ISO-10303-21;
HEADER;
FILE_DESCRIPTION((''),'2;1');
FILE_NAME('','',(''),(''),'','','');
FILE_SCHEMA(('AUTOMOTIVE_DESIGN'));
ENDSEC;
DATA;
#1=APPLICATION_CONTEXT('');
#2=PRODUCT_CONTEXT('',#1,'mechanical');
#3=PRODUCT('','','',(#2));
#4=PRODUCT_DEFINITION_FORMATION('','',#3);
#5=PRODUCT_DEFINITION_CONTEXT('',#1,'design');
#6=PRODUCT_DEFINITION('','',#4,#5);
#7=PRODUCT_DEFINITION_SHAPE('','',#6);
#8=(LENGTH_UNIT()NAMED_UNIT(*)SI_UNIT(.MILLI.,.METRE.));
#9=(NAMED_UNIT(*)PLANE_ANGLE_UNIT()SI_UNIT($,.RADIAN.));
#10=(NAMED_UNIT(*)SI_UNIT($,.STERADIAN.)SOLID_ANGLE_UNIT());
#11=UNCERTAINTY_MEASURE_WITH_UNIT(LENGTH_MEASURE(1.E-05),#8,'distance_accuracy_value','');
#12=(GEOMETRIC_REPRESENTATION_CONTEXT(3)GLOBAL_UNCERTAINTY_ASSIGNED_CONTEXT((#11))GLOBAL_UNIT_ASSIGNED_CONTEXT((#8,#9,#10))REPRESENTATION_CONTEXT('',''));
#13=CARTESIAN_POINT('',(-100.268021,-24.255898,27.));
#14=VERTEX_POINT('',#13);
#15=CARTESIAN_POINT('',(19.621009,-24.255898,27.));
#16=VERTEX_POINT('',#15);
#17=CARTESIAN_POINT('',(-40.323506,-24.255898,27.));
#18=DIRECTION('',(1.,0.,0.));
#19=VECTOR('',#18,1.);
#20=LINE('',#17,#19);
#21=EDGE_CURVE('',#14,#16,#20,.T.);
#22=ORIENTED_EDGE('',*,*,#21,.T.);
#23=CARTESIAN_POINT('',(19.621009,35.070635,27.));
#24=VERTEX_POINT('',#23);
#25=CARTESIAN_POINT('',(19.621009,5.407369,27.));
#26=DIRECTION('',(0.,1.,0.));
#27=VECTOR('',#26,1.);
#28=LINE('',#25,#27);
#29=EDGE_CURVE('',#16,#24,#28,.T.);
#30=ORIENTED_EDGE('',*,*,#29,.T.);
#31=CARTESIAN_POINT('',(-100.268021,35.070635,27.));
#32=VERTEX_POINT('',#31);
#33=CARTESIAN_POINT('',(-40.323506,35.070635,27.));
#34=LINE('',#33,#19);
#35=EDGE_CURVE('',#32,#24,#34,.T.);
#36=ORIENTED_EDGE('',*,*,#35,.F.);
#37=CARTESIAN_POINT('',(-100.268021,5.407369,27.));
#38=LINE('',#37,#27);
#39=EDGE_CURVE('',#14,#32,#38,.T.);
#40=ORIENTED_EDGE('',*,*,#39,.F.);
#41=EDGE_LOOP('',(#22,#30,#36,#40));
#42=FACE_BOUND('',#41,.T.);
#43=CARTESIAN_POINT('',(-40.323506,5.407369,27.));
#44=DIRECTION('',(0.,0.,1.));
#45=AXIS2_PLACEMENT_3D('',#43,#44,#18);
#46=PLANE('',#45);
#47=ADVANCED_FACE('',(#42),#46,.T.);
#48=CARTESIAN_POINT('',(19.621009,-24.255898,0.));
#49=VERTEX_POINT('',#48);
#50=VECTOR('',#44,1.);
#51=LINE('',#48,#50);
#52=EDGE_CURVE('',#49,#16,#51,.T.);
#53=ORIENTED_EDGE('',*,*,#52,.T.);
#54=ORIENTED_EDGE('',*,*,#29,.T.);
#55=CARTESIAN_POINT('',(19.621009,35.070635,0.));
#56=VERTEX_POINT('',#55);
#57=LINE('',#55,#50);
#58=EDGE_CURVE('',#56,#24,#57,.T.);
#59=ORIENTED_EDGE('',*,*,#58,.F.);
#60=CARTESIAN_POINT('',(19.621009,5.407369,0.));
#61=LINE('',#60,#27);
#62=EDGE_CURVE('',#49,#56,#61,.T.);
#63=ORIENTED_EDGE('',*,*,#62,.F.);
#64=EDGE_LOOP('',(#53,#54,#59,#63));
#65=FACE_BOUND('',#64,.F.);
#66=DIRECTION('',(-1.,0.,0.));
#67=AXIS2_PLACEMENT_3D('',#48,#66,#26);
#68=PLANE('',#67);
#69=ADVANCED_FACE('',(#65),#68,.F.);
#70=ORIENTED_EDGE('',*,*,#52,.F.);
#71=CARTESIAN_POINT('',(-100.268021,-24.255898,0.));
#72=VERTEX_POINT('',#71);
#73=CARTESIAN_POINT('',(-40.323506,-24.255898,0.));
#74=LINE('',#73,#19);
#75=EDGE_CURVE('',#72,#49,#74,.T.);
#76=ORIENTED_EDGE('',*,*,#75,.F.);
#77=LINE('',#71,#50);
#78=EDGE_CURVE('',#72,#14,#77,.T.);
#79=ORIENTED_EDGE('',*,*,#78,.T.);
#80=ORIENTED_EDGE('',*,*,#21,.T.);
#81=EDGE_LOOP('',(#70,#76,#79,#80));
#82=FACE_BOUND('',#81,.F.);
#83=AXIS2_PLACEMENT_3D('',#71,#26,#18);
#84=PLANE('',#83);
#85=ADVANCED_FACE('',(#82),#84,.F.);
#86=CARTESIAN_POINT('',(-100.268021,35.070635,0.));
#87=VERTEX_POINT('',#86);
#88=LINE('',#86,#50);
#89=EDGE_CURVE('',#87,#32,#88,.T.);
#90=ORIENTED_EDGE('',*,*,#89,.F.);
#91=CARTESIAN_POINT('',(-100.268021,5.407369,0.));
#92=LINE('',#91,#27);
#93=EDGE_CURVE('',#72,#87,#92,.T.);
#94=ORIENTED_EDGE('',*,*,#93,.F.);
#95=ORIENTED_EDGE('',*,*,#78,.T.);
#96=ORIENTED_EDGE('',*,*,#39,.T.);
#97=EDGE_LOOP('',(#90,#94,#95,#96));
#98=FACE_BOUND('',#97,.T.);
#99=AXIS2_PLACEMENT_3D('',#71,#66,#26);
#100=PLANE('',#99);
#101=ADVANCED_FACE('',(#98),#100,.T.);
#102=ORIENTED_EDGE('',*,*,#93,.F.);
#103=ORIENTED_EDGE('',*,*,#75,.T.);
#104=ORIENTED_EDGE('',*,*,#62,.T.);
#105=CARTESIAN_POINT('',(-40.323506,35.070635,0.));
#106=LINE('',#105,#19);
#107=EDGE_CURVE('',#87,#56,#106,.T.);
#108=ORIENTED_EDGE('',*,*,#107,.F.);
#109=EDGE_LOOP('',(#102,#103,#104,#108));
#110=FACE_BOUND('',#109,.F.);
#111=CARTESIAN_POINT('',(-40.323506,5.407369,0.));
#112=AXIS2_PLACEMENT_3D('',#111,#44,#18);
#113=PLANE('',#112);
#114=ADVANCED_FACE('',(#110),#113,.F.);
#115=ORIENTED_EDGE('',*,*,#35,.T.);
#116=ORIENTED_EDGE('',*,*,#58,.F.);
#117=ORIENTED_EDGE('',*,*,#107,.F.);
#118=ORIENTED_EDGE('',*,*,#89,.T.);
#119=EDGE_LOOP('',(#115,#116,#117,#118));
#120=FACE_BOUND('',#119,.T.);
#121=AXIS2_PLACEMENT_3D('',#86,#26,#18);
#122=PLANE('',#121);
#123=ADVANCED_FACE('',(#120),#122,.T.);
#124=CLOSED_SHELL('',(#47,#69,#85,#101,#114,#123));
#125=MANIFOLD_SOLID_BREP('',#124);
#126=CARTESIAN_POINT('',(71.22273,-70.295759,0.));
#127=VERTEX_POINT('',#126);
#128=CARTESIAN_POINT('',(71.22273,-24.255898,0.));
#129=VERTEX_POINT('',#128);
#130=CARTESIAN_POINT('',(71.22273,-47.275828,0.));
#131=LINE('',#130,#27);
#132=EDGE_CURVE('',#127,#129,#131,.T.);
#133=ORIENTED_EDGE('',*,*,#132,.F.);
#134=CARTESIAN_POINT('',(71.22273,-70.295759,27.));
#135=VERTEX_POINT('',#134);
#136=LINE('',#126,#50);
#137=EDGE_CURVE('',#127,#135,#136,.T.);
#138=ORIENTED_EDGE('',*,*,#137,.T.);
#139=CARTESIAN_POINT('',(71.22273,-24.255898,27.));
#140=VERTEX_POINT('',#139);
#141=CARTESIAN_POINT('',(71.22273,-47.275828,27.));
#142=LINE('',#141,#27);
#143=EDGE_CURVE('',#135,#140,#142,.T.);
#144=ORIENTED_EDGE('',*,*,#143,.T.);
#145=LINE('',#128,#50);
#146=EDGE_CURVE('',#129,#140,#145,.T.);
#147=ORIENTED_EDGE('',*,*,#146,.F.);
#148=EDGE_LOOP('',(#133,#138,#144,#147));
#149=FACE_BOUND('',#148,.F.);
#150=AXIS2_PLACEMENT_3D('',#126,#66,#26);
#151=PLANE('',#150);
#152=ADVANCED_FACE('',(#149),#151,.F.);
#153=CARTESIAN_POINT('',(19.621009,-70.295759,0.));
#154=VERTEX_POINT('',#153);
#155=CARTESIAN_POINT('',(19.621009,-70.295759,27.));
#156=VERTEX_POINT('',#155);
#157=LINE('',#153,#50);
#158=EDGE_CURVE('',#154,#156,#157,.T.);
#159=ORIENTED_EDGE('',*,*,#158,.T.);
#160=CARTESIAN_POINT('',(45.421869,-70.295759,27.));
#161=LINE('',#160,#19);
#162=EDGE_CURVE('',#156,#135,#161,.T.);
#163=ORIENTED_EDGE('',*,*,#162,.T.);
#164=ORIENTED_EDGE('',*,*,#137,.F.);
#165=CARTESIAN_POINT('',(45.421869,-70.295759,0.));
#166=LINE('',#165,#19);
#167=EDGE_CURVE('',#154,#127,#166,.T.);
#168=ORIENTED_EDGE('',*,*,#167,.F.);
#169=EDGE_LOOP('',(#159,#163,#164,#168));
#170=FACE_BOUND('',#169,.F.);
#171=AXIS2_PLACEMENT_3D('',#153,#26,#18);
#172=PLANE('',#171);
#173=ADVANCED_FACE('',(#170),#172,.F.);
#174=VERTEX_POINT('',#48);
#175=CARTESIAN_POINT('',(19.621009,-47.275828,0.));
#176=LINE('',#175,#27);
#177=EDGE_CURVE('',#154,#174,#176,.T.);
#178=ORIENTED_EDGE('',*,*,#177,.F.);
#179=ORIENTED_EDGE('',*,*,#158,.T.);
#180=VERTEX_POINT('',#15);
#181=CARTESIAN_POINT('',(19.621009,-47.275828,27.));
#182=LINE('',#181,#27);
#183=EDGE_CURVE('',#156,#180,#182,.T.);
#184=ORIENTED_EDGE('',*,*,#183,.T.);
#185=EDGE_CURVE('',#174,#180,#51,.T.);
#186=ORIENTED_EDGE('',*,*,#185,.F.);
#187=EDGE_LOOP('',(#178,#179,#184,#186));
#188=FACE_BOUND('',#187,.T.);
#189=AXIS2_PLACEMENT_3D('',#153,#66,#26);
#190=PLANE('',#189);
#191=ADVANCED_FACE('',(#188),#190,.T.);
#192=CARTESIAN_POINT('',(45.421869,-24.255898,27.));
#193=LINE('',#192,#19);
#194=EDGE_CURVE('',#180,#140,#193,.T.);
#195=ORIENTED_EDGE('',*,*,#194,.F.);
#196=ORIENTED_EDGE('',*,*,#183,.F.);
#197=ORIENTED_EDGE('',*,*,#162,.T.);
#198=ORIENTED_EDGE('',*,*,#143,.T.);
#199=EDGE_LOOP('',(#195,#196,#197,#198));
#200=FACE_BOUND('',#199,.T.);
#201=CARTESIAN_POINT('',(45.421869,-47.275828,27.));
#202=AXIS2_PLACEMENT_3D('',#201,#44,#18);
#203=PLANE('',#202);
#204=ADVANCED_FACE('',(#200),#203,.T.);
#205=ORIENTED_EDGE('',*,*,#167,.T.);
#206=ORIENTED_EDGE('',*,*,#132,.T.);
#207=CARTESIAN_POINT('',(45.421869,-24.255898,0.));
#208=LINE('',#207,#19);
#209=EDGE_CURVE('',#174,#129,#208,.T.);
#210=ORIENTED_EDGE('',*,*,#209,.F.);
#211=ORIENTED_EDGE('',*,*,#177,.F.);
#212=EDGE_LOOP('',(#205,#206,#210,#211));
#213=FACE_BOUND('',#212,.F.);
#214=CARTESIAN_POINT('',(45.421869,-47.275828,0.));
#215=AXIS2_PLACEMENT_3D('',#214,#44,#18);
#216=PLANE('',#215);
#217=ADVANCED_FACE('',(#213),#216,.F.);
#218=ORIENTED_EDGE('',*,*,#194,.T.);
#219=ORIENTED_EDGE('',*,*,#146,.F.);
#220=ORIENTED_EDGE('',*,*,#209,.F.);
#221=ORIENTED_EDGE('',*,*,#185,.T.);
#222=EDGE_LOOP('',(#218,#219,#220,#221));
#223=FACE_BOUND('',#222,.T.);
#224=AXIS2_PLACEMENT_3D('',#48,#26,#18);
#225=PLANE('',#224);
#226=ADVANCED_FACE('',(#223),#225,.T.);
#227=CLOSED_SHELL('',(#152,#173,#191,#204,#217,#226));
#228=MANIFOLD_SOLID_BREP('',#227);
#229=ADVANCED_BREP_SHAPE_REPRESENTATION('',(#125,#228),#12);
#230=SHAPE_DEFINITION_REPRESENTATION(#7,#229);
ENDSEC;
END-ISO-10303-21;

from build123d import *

# Parameters (mm, degrees)
F0_W     = 119.889030233
F0_H     = 59.3265332282
F1_DEPTH = 27
F0_W_2   = 51.6017209738
F0_H_2   = 46.0398606956


with BuildPart() as f1:
    # F0 (on Top) → F1 (new body)
    with BuildSketch(Plane.XY):
        with Locations((-40.3235061094, 5.4073687643)):
            Rectangle(F0_W, F0_H)
    extrude(amount=F1_DEPTH)


with BuildPart() as f1b:
    # F0 (on Top) → F1, piece 2 (new body)
    with BuildSketch(Plane.XY):
        with Locations((45.421869494, -47.2758281976)):
            Rectangle(F0_W_2, F0_H_2)
    extrude(amount=F1_DEPTH)


solid = Compound([f1.part, f1b.part])
